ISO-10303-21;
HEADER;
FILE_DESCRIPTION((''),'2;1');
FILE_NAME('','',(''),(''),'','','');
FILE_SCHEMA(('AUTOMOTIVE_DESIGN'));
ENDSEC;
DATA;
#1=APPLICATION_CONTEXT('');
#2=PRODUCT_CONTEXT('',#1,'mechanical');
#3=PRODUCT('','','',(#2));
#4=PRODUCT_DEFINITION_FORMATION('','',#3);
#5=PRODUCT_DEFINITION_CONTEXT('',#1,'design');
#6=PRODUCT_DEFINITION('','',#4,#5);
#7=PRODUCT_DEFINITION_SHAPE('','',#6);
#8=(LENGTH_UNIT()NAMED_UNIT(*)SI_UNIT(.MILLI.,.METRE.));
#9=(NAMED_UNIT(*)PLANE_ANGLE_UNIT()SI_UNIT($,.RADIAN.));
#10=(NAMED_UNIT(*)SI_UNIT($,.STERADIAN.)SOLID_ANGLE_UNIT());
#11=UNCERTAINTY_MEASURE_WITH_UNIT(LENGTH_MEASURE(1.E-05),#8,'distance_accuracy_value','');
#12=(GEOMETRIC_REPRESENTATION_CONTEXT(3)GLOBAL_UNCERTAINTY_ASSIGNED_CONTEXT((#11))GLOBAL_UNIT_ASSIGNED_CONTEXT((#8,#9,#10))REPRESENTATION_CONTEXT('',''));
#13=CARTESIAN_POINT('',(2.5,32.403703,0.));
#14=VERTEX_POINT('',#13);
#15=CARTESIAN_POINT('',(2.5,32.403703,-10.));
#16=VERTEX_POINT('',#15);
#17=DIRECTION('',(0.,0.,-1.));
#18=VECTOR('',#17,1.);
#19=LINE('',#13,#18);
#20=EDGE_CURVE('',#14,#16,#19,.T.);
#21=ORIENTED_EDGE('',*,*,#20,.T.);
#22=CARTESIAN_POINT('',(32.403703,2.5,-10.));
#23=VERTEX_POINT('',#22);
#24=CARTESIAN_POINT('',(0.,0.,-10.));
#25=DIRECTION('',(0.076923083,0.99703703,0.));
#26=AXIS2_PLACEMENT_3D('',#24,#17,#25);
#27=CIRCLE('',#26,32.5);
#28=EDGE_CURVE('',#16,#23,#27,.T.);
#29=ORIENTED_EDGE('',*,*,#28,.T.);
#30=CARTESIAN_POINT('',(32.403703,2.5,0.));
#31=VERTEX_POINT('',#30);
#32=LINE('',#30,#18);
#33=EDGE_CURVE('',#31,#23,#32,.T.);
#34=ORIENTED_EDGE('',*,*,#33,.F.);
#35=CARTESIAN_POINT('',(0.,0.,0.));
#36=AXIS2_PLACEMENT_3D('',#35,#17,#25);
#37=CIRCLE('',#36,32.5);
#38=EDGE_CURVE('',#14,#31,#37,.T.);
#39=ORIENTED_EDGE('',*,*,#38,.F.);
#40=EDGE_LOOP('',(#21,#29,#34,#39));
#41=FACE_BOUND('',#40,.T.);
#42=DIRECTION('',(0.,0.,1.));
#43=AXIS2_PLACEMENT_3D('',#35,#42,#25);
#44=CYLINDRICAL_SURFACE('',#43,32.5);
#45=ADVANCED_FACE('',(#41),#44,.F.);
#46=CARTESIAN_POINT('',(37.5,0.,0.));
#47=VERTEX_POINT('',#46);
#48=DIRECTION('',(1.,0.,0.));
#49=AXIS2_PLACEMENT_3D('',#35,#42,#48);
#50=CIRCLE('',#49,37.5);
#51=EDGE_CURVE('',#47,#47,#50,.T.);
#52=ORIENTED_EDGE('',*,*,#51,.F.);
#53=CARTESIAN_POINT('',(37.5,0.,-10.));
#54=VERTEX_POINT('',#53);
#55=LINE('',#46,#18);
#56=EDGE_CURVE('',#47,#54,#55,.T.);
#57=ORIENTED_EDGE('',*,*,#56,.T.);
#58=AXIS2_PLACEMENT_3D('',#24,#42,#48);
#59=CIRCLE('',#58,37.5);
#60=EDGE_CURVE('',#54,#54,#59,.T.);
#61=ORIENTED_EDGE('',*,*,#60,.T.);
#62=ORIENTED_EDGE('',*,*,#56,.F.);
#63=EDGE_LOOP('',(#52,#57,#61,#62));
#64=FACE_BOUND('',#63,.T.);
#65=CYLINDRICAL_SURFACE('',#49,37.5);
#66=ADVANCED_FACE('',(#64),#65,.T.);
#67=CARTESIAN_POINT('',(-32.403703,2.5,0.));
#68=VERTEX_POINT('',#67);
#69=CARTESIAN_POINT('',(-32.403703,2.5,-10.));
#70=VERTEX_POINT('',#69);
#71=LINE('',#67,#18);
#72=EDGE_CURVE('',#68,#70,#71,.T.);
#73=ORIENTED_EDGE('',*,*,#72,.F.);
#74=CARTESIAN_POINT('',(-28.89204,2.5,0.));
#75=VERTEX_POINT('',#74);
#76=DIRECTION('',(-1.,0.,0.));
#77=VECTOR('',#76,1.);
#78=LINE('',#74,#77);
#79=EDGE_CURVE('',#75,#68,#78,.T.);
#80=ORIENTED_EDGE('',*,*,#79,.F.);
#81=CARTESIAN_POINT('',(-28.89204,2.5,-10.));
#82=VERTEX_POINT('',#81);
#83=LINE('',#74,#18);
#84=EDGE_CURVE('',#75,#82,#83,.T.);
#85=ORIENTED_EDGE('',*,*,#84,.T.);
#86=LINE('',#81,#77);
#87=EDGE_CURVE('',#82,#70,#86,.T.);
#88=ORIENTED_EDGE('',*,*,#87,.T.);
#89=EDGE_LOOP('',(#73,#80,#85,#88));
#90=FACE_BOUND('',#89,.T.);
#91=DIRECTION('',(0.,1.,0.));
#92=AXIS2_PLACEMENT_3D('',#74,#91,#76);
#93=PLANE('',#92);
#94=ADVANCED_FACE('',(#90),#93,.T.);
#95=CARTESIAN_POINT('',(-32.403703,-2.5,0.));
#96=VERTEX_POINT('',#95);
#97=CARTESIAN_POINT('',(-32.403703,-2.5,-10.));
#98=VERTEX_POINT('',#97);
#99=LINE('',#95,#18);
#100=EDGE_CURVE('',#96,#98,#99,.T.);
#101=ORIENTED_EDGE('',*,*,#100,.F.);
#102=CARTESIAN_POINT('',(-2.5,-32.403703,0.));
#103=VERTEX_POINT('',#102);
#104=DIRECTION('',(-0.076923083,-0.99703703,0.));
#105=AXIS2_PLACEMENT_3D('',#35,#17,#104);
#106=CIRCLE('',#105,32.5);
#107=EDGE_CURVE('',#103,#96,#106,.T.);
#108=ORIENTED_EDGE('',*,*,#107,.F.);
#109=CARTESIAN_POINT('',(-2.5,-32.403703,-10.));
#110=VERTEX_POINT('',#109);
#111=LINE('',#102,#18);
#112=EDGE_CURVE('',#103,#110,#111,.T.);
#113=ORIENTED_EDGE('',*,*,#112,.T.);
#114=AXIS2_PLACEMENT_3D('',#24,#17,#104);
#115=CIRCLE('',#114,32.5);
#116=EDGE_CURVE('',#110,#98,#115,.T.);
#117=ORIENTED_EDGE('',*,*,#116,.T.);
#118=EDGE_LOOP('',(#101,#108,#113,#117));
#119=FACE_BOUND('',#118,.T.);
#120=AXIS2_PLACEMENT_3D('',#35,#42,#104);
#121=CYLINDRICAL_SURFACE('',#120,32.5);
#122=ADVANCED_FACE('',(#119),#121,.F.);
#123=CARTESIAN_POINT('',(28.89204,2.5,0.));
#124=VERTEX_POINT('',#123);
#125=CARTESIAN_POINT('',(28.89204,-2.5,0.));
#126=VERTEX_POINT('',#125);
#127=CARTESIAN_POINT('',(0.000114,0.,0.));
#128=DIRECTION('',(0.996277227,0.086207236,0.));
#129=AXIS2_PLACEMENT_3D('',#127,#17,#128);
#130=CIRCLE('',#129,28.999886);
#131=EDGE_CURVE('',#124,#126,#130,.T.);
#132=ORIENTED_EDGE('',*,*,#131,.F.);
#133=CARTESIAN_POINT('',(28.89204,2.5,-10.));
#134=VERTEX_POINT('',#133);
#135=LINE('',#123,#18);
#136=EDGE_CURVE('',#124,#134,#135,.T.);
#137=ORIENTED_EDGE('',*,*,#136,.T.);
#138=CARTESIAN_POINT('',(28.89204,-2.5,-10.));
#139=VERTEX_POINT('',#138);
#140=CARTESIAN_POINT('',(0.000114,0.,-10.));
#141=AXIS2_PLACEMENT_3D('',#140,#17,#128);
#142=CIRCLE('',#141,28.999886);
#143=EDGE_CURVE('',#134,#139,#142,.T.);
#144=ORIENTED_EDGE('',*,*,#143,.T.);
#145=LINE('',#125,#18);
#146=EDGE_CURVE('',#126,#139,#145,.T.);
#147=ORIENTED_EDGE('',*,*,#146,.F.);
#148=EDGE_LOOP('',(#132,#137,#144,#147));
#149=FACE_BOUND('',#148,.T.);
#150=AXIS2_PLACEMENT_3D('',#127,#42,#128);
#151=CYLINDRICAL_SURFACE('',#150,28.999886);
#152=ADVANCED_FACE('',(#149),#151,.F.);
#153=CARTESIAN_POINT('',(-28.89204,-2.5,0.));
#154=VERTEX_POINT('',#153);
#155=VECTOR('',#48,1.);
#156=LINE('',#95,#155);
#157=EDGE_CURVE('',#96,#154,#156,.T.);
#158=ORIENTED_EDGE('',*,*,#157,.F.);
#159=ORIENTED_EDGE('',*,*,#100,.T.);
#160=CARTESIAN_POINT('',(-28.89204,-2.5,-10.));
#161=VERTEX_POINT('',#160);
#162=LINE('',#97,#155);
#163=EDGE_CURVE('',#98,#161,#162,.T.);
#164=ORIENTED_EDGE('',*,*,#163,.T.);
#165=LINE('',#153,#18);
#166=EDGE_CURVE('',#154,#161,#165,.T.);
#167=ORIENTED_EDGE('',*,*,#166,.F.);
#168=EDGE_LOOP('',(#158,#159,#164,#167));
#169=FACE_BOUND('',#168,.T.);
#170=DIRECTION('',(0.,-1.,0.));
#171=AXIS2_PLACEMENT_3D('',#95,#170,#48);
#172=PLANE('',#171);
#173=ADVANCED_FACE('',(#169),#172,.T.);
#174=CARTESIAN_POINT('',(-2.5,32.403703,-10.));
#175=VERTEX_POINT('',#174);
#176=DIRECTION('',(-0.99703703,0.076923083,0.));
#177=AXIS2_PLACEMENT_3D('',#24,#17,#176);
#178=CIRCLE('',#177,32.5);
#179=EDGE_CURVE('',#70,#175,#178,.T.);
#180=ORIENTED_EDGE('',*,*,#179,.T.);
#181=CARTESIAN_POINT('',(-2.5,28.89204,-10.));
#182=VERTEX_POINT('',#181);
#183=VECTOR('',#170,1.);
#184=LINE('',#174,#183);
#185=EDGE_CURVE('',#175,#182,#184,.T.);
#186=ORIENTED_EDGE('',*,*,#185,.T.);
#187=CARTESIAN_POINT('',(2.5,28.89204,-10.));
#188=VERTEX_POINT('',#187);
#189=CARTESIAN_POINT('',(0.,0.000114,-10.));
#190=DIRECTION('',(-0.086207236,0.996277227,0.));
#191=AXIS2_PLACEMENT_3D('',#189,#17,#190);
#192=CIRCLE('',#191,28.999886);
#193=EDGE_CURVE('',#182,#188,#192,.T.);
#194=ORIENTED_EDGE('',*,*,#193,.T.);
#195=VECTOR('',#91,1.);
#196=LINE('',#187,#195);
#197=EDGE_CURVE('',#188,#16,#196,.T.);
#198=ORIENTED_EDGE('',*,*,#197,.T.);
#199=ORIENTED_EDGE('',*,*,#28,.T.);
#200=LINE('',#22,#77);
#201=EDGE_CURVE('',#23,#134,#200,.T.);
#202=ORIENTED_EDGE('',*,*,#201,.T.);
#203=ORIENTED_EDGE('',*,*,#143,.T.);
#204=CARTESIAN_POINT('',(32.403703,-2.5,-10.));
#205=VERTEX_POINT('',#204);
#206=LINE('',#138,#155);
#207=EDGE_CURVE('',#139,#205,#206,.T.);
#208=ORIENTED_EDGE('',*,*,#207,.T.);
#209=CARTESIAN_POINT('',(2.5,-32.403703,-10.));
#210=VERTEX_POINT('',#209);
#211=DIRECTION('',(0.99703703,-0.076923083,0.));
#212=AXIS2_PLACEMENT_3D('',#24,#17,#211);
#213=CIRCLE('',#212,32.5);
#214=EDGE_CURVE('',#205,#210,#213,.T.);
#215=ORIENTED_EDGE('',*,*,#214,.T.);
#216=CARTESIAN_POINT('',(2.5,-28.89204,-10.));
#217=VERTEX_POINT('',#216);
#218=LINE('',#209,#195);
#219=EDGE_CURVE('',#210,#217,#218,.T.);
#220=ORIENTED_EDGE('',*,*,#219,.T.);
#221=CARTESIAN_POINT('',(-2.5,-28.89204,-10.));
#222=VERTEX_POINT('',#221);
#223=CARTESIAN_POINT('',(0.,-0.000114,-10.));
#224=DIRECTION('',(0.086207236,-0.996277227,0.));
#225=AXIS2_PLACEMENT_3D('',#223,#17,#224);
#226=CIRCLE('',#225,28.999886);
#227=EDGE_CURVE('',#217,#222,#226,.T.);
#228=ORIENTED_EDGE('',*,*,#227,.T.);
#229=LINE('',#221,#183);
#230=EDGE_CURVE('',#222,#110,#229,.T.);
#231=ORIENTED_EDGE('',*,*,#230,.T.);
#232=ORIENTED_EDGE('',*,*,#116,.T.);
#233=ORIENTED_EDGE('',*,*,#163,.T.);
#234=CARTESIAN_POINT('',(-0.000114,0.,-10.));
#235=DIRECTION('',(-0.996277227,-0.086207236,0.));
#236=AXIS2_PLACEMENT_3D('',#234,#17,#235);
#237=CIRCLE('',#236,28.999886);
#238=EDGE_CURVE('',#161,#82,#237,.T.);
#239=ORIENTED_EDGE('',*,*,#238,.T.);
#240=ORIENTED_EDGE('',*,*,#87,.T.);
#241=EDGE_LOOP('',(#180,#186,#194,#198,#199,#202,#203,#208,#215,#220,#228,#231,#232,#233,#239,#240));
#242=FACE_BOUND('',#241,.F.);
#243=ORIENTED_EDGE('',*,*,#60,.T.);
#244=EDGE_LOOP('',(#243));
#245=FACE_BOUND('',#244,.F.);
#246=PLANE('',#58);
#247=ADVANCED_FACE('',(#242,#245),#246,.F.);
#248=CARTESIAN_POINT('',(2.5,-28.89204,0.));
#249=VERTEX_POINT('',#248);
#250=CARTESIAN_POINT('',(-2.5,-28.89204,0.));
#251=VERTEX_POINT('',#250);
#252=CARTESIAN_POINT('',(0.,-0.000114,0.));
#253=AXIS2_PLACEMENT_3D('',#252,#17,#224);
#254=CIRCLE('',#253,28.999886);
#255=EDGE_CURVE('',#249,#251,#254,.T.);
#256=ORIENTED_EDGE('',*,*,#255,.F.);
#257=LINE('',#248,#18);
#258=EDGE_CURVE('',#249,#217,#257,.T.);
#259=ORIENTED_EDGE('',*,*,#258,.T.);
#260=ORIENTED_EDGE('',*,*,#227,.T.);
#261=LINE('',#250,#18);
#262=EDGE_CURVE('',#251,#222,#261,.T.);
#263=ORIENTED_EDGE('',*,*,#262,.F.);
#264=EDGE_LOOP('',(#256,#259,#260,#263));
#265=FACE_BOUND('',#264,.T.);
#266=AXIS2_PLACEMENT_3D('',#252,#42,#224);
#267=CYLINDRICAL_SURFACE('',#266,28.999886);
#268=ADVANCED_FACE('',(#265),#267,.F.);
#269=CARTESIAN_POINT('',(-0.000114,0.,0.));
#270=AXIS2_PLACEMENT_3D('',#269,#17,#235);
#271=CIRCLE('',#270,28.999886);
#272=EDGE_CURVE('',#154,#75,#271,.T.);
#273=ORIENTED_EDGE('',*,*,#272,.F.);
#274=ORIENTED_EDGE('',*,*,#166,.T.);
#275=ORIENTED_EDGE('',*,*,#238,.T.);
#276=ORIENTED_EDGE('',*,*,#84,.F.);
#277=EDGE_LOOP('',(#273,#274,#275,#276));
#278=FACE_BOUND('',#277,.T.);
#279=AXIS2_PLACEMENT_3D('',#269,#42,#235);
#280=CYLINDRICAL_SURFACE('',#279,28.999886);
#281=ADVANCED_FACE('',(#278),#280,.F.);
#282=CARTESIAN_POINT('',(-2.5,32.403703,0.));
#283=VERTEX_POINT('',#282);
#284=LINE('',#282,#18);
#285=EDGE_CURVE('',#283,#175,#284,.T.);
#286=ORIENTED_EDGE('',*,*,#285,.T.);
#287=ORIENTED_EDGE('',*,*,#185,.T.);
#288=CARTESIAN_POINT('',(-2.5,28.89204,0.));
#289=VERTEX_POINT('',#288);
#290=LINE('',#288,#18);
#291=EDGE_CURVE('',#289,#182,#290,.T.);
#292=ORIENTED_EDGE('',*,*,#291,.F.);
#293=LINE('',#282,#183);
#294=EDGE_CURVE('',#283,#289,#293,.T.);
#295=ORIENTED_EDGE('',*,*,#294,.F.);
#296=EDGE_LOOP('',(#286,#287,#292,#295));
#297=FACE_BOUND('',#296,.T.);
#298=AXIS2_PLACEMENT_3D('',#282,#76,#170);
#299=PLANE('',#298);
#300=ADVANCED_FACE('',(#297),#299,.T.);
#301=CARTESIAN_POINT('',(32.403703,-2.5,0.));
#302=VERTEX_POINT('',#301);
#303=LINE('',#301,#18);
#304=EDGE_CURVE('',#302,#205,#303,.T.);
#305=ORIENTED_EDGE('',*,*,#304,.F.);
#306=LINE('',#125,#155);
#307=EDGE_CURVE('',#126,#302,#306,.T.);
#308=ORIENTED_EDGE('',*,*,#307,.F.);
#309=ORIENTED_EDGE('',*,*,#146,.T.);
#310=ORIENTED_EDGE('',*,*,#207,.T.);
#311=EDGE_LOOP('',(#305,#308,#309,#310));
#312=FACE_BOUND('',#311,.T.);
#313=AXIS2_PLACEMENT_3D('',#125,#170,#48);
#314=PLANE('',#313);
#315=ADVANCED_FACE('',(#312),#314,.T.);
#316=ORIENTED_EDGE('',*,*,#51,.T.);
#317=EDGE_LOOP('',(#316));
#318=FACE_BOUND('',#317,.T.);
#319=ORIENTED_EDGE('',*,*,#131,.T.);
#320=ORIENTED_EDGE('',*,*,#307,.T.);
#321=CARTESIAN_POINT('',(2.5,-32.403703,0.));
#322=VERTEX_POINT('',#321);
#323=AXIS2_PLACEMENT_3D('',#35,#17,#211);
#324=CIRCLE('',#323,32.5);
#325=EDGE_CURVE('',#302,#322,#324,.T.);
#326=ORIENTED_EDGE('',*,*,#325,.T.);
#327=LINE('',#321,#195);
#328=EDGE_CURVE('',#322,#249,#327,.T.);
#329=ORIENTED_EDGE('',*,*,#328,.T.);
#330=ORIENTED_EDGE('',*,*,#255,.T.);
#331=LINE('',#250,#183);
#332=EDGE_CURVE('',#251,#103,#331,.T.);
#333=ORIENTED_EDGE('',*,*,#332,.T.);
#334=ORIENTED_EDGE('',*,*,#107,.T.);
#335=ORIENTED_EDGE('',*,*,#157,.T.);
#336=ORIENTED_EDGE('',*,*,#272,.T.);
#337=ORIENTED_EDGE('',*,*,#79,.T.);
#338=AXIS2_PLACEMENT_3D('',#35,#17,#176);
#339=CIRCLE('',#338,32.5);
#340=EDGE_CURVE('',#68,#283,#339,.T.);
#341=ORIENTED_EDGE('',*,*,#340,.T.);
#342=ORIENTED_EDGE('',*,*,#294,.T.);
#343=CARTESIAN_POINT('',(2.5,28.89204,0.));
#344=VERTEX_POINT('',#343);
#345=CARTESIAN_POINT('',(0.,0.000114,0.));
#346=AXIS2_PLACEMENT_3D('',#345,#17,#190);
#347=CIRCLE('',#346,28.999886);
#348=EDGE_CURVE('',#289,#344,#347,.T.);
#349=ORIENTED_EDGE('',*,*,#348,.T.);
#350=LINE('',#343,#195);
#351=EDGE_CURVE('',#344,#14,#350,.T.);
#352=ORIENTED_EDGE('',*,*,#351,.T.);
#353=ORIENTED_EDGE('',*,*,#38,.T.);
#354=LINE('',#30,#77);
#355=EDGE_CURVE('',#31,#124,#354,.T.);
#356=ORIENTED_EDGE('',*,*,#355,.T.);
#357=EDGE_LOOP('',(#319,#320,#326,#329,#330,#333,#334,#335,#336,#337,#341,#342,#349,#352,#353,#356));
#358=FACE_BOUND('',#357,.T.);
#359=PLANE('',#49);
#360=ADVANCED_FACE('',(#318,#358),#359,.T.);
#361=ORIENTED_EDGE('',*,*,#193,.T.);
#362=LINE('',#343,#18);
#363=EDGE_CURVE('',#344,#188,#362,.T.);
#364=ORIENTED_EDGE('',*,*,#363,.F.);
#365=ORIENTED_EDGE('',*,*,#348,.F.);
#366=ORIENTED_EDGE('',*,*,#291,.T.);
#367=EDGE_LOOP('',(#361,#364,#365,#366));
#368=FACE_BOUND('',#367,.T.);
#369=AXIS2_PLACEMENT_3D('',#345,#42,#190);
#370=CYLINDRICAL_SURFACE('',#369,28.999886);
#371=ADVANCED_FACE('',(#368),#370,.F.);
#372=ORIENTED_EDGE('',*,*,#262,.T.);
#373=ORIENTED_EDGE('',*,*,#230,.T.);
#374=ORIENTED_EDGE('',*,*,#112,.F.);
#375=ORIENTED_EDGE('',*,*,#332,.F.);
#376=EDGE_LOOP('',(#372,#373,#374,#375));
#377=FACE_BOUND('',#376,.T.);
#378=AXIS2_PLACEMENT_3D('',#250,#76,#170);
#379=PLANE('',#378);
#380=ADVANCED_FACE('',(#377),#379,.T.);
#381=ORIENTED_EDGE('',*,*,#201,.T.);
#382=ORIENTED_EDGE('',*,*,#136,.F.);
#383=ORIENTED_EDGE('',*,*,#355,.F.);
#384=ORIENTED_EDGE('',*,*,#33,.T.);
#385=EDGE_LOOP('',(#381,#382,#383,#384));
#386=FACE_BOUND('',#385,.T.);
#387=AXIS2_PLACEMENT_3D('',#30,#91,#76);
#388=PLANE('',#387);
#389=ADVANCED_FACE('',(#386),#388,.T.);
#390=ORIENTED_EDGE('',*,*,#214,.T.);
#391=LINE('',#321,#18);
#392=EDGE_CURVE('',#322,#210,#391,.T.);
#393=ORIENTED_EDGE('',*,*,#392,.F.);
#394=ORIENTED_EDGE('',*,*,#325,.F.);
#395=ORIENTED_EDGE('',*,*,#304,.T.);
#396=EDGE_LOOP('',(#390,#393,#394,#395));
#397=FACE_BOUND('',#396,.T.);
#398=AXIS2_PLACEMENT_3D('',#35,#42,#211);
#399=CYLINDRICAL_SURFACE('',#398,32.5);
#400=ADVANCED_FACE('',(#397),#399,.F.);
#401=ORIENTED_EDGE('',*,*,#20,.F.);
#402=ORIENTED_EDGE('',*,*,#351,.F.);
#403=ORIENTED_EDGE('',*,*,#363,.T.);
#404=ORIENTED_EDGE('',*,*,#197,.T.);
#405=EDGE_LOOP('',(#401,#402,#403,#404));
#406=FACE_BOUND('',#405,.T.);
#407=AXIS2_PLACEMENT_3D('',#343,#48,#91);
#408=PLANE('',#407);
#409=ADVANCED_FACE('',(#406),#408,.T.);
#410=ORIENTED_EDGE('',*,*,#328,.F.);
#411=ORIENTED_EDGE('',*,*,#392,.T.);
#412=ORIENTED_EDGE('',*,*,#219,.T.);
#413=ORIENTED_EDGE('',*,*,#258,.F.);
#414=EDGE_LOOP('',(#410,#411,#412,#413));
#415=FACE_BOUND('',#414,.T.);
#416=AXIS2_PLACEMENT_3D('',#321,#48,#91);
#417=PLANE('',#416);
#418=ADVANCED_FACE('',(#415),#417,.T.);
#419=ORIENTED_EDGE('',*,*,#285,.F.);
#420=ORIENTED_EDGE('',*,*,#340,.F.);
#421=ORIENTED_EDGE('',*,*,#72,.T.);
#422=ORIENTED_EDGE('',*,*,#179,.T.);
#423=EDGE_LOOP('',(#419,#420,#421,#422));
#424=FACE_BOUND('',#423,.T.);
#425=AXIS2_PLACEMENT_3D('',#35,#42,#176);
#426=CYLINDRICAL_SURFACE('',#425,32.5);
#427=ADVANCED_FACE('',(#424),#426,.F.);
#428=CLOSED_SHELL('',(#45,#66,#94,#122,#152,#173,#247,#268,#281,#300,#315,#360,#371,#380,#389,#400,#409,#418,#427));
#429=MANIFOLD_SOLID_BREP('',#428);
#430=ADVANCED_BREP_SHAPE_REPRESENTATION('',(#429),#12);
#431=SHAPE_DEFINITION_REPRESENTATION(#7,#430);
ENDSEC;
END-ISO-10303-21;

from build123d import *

# Parameters (mm, degrees)
F0_R     = 37.5
F1_DEPTH = 10


with BuildPart() as f1:
    # F0 (on Top) → F1 (new body)
    with BuildSketch(Plane.XY):
        Circle(F0_R)
        with BuildLine():
            ThreePointArc((32.403703, 2.5), (32.475917, 1.250927), (32.5, 0))
            ThreePointArc((32.5, 0), (32.475917, -1.250927), (32.403703, -2.5))
            ThreePointArc((32.403703, -2.5), (22.98097, -22.98097), (2.5, -32.403703))
            ThreePointArc((2.5, -32.403703), (0, -32.5), (-2.5, -32.403703))
            ThreePointArc((-2.5, -32.403703), (-22.98097, -22.98097), (-32.403703, -2.5))
            ThreePointArc((-32.403703, -2.5), (-32.5, 0), (-32.403703, 2.5))
            ThreePointArc((-32.403703, 2.5), (-22.98097, 22.98097), (-2.5, 32.403703))
            ThreePointArc((-2.5, 32.403703), (0, 32.5), (2.5, 32.403703))
            ThreePointArc((2.5, 32.403703), (22.98097, 22.98097), (32.403703, 2.5))
        make_face(mode=Mode.SUBTRACT)
        with BuildLine():
            Line((2.5, 28.89204), (2.5, 32.403703))
            ThreePointArc((2.5, 32.403703), (0, 32.5), (-2.5, 32.403703))
            Line((-2.5, 32.403703), (-2.5, 28.89204))
            ThreePointArc((-2.5, 28.89204), (0, 29), (2.5, 28.89204))
        make_face()
        with BuildLine():
            ThreePointArc((32.403703, -2.5), (32.475917, -1.250927), (32.5, 0))
            ThreePointArc((32.5, 0), (32.475917, 1.250927), (32.403703, 2.5))
            Line((32.403703, 2.5), (28.89204, 2.5))
            ThreePointArc((28.89204, 2.5), (29, 0), (28.89204, -2.5))
            Line((28.89204, -2.5), (32.403703, -2.5))
        make_face()
        with BuildLine():
            ThreePointArc((-2.5, -32.403703), (0, -32.5), (2.5, -32.403703))
            Line((2.5, -32.403703), (2.5, -28.89204))
            ThreePointArc((2.5, -28.89204), (0, -29), (-2.5, -28.89204))
            Line((-2.5, -28.89204), (-2.5, -32.403703))
        make_face()
        with BuildLine():
            Line((-28.89204, 2.5), (-32.403703, 2.5))
            ThreePointArc((-32.403703, 2.5), (-32.5, 0), (-32.403703, -2.5))
            Line((-32.403703, -2.5), (-28.89204, -2.5))
            ThreePointArc((-28.89204, -2.5), (-29, 0), (-28.89204, 2.5))
        make_face()
    extrude(amount=-F1_DEPTH)


solid = f1.part
